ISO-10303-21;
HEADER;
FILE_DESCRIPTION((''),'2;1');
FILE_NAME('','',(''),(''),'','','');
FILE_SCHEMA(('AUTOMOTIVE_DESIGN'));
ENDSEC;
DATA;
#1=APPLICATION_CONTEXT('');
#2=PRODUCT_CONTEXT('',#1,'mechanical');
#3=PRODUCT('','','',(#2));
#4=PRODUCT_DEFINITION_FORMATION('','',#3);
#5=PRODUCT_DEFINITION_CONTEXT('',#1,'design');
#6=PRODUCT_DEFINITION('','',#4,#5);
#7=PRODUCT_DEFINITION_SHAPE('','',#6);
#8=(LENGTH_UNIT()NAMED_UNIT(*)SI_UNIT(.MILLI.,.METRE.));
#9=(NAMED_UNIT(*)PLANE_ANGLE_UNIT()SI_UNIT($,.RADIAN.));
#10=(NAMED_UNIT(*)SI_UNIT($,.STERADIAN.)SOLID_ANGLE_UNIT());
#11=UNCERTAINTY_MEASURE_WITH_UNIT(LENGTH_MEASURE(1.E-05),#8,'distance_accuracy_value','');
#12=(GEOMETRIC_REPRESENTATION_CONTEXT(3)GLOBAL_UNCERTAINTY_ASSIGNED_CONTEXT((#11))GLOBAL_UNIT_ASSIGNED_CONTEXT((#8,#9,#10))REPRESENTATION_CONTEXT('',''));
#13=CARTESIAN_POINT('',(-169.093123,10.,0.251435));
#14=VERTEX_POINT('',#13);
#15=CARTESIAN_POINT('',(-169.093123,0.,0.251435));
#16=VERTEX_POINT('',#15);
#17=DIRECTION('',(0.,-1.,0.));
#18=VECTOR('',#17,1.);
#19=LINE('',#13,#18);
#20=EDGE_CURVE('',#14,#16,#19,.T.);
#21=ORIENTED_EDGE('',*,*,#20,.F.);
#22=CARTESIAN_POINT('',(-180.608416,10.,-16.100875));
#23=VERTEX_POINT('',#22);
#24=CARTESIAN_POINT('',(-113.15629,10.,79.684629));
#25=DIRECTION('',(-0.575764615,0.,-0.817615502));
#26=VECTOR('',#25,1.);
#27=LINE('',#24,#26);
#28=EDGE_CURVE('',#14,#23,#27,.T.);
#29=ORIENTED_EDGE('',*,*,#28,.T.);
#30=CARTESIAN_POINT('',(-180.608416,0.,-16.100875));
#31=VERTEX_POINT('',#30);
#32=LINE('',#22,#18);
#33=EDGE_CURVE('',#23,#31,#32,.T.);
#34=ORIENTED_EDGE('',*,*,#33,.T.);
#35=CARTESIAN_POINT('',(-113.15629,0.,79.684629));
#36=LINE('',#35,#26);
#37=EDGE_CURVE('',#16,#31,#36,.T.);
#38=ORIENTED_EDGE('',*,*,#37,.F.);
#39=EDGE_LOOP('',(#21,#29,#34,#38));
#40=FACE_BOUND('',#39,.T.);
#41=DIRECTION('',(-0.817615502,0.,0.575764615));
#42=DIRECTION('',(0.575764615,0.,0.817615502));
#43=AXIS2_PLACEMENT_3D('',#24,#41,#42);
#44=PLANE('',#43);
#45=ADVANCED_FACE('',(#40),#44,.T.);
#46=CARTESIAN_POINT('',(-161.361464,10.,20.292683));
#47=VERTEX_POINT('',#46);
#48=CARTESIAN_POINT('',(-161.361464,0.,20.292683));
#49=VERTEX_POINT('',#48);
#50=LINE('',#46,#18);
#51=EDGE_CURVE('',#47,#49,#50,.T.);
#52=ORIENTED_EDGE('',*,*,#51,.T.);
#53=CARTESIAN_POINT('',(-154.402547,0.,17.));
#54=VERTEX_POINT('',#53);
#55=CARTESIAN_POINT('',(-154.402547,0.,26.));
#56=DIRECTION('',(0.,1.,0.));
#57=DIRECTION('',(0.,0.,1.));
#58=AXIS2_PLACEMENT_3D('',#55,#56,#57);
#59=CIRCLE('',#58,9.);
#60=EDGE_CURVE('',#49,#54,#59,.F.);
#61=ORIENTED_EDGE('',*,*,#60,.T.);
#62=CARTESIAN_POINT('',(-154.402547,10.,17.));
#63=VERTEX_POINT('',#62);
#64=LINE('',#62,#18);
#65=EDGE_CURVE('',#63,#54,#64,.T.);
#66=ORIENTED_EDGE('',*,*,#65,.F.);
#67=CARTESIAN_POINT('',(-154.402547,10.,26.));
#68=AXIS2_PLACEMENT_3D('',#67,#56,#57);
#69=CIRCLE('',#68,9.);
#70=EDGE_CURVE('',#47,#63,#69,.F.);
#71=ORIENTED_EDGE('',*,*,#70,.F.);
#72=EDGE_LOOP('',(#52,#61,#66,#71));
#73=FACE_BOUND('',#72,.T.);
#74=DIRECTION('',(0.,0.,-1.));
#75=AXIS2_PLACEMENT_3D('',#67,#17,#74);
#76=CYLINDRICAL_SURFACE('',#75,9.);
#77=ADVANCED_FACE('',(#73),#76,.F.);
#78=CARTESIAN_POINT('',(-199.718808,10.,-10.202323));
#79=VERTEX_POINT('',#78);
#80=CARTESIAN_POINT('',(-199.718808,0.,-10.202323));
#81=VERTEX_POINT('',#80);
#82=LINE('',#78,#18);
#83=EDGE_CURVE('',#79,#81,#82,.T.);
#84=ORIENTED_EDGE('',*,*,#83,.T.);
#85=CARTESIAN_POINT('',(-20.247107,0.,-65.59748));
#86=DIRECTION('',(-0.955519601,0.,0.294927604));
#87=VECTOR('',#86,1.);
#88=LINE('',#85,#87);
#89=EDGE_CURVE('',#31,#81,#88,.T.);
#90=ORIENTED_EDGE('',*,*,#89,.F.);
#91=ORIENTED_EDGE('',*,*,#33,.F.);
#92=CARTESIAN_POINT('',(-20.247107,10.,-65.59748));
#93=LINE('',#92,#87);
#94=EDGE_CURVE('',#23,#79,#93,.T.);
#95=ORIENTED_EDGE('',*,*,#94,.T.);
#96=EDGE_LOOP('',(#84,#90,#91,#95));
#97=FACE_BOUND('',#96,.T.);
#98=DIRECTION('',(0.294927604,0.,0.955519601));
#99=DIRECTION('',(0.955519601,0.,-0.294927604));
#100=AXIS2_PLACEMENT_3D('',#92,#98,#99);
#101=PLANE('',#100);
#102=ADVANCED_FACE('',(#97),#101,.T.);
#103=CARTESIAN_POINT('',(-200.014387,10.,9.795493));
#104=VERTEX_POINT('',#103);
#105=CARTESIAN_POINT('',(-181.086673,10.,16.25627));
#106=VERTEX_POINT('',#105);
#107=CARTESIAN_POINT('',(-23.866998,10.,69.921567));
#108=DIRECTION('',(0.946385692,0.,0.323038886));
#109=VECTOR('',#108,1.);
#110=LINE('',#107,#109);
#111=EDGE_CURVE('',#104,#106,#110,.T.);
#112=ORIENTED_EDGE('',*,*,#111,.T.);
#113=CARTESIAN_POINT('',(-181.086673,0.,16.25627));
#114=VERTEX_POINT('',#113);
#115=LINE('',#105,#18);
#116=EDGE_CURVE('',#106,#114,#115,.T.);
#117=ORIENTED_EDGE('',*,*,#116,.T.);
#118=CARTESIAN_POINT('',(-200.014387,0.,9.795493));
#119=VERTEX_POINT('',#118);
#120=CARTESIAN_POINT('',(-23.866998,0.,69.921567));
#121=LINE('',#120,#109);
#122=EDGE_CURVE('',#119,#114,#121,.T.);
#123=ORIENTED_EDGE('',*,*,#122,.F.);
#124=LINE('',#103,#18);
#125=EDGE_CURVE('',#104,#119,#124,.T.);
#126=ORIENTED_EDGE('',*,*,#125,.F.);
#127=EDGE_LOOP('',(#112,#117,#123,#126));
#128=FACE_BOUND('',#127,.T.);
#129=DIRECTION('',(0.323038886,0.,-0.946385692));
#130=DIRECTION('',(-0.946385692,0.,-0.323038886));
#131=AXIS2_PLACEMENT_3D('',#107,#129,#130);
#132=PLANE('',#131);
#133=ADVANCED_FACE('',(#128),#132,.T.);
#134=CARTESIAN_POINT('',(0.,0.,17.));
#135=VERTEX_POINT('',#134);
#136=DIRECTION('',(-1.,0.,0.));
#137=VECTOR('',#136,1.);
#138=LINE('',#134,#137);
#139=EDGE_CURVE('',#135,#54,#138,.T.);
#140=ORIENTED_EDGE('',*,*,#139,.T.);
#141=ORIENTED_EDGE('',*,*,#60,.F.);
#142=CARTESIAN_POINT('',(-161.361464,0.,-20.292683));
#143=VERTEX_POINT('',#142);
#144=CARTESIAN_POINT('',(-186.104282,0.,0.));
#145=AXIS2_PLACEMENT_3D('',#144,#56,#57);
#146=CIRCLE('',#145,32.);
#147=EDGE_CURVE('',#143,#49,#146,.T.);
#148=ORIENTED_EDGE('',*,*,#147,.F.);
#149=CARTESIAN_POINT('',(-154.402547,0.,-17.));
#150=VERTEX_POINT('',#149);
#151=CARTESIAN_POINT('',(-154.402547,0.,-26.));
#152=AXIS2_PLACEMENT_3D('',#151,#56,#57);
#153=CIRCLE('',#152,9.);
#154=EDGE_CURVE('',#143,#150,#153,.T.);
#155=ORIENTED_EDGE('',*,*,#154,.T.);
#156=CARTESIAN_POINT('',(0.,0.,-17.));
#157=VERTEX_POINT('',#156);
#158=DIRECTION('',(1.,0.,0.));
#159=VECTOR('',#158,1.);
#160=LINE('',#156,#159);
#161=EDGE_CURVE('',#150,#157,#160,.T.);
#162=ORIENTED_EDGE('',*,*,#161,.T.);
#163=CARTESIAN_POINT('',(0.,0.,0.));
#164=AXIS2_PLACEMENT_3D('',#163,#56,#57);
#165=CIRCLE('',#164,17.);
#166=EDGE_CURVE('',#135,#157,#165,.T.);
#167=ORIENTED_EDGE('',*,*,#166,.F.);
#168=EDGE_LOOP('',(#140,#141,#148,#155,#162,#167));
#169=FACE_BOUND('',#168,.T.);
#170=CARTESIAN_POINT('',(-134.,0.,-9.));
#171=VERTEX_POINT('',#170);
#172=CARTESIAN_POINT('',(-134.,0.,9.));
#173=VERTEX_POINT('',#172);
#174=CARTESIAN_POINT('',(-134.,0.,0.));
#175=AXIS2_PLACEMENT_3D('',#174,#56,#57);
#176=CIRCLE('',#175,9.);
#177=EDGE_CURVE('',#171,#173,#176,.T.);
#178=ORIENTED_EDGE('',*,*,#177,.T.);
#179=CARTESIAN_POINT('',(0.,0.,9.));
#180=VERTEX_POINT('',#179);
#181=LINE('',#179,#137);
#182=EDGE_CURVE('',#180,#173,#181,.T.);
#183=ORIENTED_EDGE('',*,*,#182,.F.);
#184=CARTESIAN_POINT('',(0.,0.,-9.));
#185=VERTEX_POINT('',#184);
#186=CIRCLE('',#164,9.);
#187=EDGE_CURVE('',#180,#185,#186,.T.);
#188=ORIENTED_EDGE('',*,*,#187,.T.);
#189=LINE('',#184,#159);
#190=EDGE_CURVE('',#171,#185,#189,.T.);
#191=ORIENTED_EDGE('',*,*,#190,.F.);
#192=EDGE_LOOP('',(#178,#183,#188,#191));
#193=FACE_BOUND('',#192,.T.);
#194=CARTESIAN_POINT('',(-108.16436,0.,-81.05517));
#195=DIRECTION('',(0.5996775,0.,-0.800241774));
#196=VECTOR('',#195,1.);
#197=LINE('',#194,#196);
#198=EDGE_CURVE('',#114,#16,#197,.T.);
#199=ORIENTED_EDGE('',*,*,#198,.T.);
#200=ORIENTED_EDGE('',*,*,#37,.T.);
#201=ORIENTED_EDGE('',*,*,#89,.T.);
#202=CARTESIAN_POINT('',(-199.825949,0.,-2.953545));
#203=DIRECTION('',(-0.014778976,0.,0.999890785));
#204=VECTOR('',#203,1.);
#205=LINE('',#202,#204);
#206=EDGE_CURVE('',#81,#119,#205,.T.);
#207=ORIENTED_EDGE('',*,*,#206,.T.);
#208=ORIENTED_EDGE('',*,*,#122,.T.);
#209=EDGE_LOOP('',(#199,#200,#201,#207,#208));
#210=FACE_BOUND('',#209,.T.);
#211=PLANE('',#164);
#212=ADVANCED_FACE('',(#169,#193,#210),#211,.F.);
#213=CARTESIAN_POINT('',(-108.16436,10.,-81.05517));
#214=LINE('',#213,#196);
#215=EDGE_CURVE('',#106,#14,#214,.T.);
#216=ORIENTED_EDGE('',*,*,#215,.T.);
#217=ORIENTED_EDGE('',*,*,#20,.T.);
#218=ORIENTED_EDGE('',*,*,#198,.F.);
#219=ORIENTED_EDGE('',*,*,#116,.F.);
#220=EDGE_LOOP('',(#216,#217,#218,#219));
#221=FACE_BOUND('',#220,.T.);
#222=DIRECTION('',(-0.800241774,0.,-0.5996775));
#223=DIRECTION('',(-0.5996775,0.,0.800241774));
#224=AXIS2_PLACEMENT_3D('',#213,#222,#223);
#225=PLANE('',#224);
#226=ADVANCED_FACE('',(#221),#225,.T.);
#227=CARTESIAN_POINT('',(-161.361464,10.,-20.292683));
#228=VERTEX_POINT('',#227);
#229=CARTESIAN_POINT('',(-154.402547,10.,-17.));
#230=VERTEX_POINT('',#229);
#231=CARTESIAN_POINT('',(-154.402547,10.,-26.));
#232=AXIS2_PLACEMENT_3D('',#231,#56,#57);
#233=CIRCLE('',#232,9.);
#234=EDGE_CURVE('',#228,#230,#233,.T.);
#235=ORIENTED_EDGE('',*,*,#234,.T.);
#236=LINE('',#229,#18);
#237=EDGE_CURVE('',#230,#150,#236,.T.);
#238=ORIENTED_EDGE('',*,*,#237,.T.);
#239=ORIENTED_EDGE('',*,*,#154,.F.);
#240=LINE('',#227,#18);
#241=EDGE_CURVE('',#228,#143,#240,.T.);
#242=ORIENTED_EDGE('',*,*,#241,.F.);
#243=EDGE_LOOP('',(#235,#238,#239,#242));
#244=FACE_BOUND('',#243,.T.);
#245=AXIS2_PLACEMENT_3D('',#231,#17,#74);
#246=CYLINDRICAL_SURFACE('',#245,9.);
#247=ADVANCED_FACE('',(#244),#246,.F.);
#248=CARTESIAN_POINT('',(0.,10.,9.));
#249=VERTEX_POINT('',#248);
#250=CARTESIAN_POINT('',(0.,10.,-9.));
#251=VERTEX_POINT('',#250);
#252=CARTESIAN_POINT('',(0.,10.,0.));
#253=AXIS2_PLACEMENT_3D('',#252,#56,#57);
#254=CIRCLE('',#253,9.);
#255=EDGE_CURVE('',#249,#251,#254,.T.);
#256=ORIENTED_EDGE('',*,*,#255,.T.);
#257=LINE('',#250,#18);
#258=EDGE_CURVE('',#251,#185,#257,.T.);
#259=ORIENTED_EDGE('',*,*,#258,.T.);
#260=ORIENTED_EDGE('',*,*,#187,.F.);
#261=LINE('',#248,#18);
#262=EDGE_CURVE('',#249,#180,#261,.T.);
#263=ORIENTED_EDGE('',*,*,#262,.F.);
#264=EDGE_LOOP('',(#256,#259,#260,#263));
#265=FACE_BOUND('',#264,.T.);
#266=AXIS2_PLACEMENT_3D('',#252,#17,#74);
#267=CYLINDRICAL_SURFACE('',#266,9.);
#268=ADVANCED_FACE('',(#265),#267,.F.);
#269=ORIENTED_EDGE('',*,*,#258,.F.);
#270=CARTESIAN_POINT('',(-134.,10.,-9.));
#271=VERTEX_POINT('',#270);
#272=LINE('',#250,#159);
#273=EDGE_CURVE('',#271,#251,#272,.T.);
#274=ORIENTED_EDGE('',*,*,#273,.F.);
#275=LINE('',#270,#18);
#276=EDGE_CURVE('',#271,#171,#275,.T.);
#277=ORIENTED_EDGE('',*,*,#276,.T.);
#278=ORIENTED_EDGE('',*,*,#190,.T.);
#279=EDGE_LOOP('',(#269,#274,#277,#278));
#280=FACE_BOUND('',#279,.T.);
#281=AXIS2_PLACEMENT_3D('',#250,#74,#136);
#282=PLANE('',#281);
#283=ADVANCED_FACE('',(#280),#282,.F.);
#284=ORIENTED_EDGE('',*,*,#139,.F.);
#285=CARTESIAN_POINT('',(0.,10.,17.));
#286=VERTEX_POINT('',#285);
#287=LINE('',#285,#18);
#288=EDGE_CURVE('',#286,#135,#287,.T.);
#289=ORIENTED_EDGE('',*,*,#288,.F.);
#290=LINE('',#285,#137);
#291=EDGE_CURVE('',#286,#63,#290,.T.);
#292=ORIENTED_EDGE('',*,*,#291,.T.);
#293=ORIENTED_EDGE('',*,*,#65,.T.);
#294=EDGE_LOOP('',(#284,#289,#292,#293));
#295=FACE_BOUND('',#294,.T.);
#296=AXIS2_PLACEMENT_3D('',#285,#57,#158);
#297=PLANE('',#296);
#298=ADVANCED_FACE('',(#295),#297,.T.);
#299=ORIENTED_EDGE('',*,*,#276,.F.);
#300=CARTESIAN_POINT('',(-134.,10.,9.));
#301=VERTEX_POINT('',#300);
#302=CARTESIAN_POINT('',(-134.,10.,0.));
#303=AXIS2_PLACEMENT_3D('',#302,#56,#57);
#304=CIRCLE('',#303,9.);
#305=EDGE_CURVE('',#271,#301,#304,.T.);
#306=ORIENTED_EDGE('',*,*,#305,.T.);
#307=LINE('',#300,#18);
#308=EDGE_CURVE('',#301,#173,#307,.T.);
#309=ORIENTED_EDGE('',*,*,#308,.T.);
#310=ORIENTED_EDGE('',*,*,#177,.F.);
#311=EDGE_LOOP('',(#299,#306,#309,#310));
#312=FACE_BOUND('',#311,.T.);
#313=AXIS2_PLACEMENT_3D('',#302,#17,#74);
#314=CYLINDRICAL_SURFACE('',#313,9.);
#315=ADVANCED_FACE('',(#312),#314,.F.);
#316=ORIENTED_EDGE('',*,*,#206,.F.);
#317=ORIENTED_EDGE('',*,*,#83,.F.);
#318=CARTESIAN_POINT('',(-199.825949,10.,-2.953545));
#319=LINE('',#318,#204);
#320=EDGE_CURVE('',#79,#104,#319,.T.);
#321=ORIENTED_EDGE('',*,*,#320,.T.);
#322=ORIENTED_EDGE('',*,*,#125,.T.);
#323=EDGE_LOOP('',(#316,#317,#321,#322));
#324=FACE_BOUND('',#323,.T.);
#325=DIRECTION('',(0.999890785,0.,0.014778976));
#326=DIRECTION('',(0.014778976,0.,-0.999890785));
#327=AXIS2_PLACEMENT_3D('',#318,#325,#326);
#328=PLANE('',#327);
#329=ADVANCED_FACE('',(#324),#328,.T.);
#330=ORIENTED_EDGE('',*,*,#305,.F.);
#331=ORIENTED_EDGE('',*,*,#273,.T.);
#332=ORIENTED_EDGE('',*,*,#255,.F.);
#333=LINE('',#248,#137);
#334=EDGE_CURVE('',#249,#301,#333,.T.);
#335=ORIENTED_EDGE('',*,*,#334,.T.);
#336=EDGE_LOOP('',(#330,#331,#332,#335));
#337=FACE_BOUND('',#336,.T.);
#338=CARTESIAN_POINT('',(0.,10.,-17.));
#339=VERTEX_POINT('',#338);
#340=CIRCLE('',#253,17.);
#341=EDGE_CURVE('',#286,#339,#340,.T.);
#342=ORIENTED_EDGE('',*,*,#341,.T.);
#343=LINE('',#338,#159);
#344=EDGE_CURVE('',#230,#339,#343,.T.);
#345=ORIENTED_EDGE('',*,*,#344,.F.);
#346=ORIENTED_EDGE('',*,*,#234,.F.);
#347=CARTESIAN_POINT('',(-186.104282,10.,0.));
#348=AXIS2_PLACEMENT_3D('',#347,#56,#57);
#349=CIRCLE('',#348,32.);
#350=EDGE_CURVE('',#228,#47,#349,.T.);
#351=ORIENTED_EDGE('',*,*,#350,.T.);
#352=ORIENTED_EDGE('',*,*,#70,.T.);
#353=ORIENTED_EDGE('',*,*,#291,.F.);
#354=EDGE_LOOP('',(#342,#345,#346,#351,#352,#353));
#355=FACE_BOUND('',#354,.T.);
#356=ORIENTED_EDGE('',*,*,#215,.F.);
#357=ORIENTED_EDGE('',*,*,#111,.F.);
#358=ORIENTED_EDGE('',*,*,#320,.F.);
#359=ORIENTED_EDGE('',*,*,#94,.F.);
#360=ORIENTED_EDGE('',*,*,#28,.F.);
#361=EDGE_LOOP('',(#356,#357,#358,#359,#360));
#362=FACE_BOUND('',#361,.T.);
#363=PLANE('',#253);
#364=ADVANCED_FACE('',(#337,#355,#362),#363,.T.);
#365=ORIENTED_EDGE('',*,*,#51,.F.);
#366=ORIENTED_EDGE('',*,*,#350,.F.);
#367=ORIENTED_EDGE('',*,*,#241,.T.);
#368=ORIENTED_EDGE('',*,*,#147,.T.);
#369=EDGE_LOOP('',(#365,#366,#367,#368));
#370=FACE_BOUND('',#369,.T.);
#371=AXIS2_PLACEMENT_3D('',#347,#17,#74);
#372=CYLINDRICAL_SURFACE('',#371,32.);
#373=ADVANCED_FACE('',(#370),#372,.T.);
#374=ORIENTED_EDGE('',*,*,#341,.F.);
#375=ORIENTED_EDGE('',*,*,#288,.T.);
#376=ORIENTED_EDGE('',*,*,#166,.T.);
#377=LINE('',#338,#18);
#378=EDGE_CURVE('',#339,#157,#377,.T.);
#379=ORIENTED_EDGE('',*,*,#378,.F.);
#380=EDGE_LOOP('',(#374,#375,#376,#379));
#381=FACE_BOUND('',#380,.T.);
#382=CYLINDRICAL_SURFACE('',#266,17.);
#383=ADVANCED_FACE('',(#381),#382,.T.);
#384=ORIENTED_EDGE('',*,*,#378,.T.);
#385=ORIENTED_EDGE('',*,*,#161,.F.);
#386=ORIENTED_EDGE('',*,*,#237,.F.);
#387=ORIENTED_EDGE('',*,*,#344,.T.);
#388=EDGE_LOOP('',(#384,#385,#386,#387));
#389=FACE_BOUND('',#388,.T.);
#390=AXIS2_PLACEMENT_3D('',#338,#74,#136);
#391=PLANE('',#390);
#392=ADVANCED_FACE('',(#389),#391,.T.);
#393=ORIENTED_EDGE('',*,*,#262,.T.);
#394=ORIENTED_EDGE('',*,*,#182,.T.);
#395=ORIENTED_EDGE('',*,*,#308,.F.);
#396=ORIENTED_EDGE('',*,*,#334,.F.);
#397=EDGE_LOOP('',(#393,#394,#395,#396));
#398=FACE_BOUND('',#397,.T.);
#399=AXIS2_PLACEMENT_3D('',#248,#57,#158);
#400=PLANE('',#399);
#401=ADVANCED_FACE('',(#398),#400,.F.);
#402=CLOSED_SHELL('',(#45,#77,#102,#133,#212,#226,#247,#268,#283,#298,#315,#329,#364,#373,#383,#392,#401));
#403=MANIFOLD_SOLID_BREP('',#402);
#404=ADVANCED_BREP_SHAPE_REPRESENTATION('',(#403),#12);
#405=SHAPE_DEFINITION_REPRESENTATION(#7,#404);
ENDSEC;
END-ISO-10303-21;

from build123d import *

# Parameters (mm, degrees)
SKETCH1_R           = 32
BOSS_EXTRUDE1_DEPTH = 10


with BuildPart() as part:
    # Sketch1 → Boss-Extrude1 (new body)
    # profile 1 of 2: a face of its own
    with BuildSketch(Plane(origin=(0, 0, 0), x_dir=(1, 0, 0), z_dir=(0, 1, 0))):
        with Locations((-186.104281586, 0)):
            Circle(SKETCH1_R)
        Polygon((-169.093123496, -0.251434953), (-180.608415791, 16.100875078), (-199.718807817, 10.202323), (-200.014387332, -9.7954927), (-181.086673492, -16.256270425), align=None, mode=Mode.SUBTRACT)
    # profile 2 of 2: a face of its own
    with BuildSketch(Plane(origin=(0, 0, 0), x_dir=(1, 0, 0), z_dir=(0, 1, 0))):
        with BuildLine():
            Line((0, 17), (-134, 17))
            Line((-134, 17), (-154.402546617, 17))
            ThreePointArc((-154.402546617, 17), (-158.25184177, 17.864711017), (-161.361464049, 20.292682927))
            ThreePointArc((-161.361464049, 20.292682927), (-155.973150167, 10.775663294), (-154.104281586, 0))
            ThreePointArc((-154.104281586, 0), (-155.973150167, -10.775663294), (-161.361464049, -20.292682927))
            ThreePointArc((-161.361464049, -20.292682927), (-158.25184177, -17.864711017), (-154.402546617, -17))
            Line((-154.402546617, -17), (-134, -17))
            Line((-134, -17), (0, -17))
            ThreePointArc((0, -17), (17, 0), (0, 17))
        make_face()
        with BuildLine():
            ThreePointArc((-134, -9), (-143, 0), (-134, 9))
            Line((-134, 9), (0, 9))
            ThreePointArc((0, 9), (9, 0), (0, -9))
            Line((0, -9), (-134, -9))
        make_face(mode=Mode.SUBTRACT)
    extrude(amount=BOSS_EXTRUDE1_DEPTH)


solid = part.part
